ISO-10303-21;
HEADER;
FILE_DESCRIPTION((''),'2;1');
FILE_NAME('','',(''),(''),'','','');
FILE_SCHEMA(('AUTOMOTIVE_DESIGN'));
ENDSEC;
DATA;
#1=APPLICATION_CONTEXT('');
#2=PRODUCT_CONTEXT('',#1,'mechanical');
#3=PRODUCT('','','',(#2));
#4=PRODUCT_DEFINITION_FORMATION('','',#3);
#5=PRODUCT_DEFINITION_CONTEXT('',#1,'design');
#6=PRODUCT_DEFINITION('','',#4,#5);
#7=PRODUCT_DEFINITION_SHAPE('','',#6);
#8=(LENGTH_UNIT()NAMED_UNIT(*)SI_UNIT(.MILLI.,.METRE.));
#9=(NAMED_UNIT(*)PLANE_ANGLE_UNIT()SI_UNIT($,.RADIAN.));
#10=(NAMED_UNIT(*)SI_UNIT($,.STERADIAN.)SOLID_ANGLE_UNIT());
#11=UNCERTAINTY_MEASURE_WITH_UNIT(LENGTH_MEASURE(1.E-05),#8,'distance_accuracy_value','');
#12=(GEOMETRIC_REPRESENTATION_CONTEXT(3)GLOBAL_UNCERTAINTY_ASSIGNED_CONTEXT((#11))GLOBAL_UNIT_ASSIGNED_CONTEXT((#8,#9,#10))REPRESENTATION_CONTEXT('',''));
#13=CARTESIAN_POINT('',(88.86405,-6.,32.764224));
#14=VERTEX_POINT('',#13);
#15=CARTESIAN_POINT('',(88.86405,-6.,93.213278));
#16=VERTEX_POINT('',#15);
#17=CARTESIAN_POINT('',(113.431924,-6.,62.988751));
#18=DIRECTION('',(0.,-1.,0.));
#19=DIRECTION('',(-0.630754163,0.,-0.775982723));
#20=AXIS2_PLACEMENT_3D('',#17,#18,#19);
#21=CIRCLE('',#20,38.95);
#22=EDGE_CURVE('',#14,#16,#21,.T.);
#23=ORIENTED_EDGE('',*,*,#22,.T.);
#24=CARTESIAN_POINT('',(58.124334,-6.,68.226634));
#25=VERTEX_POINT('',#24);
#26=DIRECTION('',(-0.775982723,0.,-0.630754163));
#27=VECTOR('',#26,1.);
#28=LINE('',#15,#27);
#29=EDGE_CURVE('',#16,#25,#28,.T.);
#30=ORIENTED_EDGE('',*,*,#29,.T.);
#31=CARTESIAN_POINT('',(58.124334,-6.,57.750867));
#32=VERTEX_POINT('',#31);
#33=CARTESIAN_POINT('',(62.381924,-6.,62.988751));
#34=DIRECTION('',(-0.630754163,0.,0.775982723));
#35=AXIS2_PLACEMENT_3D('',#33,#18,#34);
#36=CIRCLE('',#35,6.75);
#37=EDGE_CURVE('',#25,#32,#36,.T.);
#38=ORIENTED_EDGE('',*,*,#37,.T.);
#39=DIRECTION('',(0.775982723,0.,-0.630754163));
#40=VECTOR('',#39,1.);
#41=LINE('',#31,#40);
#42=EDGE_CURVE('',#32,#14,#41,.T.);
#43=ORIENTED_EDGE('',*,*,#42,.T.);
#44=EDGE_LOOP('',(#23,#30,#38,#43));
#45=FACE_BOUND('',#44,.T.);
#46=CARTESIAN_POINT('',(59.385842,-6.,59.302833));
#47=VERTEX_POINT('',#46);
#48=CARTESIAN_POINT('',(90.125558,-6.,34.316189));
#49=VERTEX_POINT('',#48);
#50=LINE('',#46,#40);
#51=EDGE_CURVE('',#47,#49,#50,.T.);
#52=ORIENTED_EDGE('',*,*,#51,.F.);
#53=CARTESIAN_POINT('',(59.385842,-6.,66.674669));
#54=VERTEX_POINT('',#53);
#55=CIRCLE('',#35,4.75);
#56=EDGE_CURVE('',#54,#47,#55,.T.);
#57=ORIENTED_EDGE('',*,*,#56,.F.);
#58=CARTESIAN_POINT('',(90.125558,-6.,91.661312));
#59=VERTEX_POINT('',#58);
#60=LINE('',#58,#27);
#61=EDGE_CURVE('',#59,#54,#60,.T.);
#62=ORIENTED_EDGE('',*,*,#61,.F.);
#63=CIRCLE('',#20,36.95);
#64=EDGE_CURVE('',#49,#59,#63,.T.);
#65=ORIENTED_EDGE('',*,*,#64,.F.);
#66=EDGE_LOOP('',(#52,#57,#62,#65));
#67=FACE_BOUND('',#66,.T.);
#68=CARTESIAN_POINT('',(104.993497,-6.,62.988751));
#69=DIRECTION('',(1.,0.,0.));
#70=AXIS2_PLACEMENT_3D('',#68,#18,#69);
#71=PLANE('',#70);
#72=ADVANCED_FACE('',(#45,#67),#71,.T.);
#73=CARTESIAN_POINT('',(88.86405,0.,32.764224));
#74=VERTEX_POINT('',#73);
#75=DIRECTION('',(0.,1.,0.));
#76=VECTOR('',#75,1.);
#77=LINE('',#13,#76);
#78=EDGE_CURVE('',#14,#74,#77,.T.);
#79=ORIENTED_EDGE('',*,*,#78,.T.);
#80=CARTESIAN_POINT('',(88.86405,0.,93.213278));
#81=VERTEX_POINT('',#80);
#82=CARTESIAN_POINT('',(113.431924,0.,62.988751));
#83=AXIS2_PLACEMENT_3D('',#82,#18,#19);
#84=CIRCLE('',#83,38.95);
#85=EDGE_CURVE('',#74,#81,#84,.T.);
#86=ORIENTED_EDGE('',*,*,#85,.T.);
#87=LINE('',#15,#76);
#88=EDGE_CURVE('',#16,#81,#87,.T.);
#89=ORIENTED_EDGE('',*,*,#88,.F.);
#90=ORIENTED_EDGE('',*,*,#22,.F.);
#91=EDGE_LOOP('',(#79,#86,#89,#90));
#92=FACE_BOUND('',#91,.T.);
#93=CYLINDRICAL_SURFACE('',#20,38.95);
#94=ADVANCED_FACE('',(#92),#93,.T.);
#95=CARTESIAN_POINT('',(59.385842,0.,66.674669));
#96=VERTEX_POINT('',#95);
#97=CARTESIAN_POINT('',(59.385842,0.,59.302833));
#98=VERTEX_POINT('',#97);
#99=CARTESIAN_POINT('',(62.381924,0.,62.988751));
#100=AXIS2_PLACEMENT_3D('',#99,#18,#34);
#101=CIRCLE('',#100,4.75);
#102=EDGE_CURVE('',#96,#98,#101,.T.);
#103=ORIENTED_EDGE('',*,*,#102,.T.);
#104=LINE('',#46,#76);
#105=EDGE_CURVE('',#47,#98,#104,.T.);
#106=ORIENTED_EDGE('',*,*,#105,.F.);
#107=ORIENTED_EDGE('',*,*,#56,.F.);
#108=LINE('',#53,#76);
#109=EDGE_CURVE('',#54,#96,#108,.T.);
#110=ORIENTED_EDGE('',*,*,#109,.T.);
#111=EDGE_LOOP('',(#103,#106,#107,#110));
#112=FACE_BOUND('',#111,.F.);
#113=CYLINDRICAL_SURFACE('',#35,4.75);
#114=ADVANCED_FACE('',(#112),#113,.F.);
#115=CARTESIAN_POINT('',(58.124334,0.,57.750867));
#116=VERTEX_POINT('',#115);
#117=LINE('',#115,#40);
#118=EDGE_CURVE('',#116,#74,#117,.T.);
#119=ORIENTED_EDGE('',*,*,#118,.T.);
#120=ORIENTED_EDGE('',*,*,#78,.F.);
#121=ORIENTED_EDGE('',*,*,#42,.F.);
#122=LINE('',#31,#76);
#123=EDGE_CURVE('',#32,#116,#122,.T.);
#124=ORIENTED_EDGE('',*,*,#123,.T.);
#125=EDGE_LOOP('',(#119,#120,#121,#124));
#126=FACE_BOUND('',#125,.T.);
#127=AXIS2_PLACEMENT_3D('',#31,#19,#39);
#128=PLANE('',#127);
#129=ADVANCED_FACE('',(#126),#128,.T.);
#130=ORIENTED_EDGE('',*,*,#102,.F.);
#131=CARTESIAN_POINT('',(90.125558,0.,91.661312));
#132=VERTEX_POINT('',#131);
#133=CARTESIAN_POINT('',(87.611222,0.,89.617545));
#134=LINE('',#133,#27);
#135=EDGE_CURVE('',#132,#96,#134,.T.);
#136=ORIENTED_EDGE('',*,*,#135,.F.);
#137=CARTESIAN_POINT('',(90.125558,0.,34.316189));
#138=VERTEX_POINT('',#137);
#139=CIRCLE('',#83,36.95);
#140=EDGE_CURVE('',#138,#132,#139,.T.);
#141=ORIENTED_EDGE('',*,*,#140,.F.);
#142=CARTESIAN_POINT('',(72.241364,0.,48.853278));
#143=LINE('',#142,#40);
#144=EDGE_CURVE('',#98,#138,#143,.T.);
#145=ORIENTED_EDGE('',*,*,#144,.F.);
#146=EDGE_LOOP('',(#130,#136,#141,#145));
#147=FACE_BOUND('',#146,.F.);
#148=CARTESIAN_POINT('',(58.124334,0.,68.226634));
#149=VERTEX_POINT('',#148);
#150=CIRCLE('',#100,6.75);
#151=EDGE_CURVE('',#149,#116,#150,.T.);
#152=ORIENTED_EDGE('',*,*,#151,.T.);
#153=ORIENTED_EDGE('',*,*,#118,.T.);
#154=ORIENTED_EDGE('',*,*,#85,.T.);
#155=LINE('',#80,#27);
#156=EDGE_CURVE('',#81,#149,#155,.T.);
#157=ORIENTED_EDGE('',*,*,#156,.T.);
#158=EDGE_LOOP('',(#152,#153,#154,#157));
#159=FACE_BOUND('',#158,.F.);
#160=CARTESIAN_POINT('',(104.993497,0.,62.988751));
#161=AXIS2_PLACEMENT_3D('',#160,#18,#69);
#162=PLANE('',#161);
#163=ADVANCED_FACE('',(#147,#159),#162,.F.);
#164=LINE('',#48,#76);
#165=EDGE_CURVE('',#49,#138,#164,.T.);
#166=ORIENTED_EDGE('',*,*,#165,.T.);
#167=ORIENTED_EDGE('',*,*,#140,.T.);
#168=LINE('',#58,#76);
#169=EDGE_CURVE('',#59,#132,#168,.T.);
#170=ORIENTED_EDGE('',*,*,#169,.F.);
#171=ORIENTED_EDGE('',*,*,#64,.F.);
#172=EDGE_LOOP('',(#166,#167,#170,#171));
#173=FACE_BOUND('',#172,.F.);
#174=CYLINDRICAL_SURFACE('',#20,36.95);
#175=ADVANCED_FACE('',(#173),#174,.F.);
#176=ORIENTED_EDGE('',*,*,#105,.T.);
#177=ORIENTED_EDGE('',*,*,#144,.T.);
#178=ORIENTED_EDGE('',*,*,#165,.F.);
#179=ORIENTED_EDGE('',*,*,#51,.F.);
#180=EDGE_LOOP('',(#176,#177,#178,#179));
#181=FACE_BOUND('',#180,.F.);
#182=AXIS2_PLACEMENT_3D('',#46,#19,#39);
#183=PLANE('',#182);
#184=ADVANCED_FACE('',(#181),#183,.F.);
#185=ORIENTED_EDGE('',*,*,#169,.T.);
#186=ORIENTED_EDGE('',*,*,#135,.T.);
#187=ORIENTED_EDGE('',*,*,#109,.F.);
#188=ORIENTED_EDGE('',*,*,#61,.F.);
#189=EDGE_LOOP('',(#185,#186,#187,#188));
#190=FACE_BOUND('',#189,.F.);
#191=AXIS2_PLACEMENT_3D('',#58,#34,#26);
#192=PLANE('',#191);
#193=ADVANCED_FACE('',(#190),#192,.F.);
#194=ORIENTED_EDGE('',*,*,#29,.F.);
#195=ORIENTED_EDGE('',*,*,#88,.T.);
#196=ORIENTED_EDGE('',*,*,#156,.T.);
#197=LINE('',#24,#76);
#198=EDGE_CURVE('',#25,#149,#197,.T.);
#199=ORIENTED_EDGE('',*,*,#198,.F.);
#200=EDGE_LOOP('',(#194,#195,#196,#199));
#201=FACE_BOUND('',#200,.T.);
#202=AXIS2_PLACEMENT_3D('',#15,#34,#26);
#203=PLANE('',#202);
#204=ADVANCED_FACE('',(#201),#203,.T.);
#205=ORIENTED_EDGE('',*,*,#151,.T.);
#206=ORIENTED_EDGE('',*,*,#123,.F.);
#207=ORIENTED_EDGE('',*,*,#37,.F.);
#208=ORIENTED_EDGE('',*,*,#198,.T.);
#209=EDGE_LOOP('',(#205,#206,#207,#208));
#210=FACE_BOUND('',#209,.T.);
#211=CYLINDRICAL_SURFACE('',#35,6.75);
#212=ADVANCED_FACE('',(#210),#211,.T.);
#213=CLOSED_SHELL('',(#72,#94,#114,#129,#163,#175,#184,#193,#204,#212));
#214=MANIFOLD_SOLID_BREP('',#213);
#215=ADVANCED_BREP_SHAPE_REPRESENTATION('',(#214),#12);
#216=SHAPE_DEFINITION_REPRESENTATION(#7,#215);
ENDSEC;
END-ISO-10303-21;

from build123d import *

# Parameters (mm, degrees)
F1_DEPTH = 6
F3_DEPTH = 25
F5_DEPTH = 6


with BuildPart() as f1:
    # F0 (on Front) → F1 (new body)
    with BuildSketch(Plane.XZ):
        with BuildLine():
            Line((58.7550879584, 58.5268499794), (89.4948039231, 33.5402062991))
            ThreePointArc((89.4948039231, 33.5402062991), (151.3819243933, 62.9887506366), (89.4948039231, 92.4372949741))
            Line((89.4948039231, 92.4372949741), (58.7550879584, 67.4506512938))
            ThreePointArc((58.7550879584, 67.4506512938), (56.6319243933, 62.9887506366), (58.7550879584, 58.5268499794))
        make_face()
    extrude(amount=F1_DEPTH)

    # F2 (on face) → F3 (cut)
    with BuildSketch(Plane.XZ.offset(6)):
        with BuildLine():
            Line((90.1255580857, 91.6613122511), (59.385842121, 66.6746685708))
            ThreePointArc((59.385842121, 66.6746685708), (57.6319243933, 62.9887506366), (59.385842121, 59.3028327024))
            Line((59.385842121, 59.3028327024), (90.1255580857, 34.3161890221))
            ThreePointArc((90.1255580857, 34.3161890221), (150.3819243933, 62.9887506366), (90.1255580857, 91.6613122511))
        make_face()
    extrude(amount=-F3_DEPTH, mode=Mode.SUBTRACT)

    # F4 (on face) → F5 (join)
    with BuildSketch(Plane.XZ.offset(6)):
        with BuildLine():
            Line((88.8640497606, 93.2132776971), (58.1243337958, 68.2266340168))
            ThreePointArc((58.1243337958, 68.2266340168), (55.6319243933, 62.9887506366), (58.1243337958, 57.7508672564))
            Line((58.1243337958, 57.7508672564), (88.8640497606, 32.7642235761))
            ThreePointArc((88.8640497606, 32.7642235761), (152.3819243933, 62.9887506366), (88.8640497606, 93.2132776971))
        make_face()
        with BuildLine():
            Line((58.7550879584, 67.4506512938), (89.4948039231, 92.4372949741))
            ThreePointArc((89.4948039231, 92.4372949741), (151.3819243933, 62.9887506366), (89.4948039231, 33.5402062991))
            Line((89.4948039231, 33.5402062991), (58.7550879584, 58.5268499794))
            ThreePointArc((58.7550879584, 58.5268499794), (56.6319243933, 62.9887506366), (58.7550879584, 67.4506512938))
        make_face(mode=Mode.SUBTRACT)
    extrude(amount=-F5_DEPTH)


solid = f1.part
